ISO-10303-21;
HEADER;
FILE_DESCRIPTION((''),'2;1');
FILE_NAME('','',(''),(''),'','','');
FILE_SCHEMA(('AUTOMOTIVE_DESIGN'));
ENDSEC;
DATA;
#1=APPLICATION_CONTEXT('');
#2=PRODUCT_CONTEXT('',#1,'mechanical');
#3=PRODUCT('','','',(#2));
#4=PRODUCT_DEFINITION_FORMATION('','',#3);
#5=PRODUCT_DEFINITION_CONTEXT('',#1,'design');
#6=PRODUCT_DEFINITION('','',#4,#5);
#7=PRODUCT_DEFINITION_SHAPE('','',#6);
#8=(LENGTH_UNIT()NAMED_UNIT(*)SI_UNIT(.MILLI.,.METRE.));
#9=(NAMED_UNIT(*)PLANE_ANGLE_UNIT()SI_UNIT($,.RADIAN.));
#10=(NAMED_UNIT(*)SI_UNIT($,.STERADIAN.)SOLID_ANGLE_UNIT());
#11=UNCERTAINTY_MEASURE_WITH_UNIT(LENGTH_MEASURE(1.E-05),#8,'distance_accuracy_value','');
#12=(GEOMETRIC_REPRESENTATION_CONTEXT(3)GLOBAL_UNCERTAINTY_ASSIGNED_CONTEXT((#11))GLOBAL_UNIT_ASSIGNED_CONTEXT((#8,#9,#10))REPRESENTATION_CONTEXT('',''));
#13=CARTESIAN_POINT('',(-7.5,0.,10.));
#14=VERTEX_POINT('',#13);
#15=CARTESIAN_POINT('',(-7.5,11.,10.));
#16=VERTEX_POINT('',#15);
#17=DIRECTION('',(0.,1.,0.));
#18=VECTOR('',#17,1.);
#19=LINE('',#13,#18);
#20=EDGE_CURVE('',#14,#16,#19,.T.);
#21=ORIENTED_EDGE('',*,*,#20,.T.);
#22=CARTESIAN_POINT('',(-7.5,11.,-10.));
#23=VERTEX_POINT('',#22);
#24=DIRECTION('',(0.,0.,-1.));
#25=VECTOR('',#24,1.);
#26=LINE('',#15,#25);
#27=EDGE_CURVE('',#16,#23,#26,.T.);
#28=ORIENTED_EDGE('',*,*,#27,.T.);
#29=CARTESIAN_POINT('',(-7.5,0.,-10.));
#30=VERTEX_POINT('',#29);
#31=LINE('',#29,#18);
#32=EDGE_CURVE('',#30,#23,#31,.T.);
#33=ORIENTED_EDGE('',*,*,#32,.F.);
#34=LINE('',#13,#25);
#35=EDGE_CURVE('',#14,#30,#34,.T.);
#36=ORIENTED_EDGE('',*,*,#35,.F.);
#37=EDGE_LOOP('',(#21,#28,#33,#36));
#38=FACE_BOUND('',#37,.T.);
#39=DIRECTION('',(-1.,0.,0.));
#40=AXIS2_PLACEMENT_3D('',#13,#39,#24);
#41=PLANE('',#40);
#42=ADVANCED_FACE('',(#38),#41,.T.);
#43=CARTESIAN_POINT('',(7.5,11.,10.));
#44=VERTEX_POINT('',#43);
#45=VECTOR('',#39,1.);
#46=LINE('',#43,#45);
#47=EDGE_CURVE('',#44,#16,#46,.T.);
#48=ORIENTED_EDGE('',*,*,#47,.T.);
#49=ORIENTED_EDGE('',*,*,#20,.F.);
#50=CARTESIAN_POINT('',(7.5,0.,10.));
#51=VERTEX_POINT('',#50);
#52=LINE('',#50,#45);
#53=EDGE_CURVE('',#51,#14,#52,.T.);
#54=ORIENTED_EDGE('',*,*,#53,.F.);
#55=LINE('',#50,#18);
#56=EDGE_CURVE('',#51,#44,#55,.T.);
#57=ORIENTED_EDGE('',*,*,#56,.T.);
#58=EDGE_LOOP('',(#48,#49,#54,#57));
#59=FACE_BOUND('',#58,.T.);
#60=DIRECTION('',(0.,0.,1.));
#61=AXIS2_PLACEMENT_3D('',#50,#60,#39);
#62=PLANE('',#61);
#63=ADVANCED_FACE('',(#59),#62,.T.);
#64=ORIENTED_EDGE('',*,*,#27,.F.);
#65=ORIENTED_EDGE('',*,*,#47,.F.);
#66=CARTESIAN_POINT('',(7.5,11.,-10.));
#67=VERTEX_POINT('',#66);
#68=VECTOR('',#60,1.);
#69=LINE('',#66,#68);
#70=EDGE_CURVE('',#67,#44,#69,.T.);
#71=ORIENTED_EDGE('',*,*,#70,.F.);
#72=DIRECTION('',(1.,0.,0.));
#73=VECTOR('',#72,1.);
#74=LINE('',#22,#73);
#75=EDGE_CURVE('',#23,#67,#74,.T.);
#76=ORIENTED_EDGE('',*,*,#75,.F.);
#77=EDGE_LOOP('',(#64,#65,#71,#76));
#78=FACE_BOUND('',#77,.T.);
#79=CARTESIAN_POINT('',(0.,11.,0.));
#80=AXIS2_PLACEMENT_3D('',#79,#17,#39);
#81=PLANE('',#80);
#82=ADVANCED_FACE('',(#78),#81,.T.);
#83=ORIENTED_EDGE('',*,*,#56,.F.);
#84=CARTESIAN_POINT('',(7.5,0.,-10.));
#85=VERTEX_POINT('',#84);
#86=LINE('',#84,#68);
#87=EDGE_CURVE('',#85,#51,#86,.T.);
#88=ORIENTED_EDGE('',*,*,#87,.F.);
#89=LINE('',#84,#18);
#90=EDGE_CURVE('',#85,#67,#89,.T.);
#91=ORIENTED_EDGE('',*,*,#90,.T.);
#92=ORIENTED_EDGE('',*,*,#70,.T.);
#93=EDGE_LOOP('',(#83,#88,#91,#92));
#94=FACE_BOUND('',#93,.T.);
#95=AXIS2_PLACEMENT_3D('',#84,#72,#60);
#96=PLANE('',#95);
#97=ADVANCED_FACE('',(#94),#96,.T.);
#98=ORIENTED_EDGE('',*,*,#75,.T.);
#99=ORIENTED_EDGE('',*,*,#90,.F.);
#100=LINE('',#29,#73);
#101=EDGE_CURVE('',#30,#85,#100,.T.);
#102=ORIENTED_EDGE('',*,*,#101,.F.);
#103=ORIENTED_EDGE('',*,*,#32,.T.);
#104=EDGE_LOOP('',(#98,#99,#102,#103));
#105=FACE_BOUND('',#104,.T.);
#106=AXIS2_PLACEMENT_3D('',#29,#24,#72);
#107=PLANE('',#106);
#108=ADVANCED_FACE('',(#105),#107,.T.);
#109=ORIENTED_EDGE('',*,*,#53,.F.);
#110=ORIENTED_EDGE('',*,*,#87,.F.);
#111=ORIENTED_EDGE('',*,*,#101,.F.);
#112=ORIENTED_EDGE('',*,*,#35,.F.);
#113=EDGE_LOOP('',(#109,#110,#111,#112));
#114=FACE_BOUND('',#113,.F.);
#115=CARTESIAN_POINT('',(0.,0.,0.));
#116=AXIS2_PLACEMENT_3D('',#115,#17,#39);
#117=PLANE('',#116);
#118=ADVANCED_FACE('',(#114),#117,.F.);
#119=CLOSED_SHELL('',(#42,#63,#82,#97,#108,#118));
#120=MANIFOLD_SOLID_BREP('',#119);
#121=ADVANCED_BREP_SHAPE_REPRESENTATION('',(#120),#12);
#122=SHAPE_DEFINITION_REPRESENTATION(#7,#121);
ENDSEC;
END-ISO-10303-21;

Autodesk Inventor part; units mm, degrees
ref_plane "YZ Plane" through (0, 0, 0) normal (1, 0, 0) x (0, 1, 0)
ref_plane "XZ Plane" through (0, 0, 0) normal (0, 1, 0) x (-1, 0, 0)
ref_plane "XY Plane" through (0, 0, 0) normal (0, 0, 1) x (1, 0, 0)
sketch "Schizzo1" plane through (0, 0, 0) normal (0, 1, 0) x (-1, 0, 0)
  line L0 (-7.5, 10) -> (7.5, 10)
  line L1 (7.5, 10) -> (7.5, -10)
  line L2 (7.5, -10) -> (-7.5, -10)
  line L3 (-7.5, -10) -> (-7.5, 10)
  line L4 (-7.5, 10) -> (7.5, -10) construction
  line L5 (7.5, 10) -> (-7.5, -10) construction
  point P0 (0, 0)
  dimension "d0" = 15
  dimension "d1" = 20
extrude "Estrusione1" add sketch "Schizzo1" along normal blind 11
properties part number "supporto"
